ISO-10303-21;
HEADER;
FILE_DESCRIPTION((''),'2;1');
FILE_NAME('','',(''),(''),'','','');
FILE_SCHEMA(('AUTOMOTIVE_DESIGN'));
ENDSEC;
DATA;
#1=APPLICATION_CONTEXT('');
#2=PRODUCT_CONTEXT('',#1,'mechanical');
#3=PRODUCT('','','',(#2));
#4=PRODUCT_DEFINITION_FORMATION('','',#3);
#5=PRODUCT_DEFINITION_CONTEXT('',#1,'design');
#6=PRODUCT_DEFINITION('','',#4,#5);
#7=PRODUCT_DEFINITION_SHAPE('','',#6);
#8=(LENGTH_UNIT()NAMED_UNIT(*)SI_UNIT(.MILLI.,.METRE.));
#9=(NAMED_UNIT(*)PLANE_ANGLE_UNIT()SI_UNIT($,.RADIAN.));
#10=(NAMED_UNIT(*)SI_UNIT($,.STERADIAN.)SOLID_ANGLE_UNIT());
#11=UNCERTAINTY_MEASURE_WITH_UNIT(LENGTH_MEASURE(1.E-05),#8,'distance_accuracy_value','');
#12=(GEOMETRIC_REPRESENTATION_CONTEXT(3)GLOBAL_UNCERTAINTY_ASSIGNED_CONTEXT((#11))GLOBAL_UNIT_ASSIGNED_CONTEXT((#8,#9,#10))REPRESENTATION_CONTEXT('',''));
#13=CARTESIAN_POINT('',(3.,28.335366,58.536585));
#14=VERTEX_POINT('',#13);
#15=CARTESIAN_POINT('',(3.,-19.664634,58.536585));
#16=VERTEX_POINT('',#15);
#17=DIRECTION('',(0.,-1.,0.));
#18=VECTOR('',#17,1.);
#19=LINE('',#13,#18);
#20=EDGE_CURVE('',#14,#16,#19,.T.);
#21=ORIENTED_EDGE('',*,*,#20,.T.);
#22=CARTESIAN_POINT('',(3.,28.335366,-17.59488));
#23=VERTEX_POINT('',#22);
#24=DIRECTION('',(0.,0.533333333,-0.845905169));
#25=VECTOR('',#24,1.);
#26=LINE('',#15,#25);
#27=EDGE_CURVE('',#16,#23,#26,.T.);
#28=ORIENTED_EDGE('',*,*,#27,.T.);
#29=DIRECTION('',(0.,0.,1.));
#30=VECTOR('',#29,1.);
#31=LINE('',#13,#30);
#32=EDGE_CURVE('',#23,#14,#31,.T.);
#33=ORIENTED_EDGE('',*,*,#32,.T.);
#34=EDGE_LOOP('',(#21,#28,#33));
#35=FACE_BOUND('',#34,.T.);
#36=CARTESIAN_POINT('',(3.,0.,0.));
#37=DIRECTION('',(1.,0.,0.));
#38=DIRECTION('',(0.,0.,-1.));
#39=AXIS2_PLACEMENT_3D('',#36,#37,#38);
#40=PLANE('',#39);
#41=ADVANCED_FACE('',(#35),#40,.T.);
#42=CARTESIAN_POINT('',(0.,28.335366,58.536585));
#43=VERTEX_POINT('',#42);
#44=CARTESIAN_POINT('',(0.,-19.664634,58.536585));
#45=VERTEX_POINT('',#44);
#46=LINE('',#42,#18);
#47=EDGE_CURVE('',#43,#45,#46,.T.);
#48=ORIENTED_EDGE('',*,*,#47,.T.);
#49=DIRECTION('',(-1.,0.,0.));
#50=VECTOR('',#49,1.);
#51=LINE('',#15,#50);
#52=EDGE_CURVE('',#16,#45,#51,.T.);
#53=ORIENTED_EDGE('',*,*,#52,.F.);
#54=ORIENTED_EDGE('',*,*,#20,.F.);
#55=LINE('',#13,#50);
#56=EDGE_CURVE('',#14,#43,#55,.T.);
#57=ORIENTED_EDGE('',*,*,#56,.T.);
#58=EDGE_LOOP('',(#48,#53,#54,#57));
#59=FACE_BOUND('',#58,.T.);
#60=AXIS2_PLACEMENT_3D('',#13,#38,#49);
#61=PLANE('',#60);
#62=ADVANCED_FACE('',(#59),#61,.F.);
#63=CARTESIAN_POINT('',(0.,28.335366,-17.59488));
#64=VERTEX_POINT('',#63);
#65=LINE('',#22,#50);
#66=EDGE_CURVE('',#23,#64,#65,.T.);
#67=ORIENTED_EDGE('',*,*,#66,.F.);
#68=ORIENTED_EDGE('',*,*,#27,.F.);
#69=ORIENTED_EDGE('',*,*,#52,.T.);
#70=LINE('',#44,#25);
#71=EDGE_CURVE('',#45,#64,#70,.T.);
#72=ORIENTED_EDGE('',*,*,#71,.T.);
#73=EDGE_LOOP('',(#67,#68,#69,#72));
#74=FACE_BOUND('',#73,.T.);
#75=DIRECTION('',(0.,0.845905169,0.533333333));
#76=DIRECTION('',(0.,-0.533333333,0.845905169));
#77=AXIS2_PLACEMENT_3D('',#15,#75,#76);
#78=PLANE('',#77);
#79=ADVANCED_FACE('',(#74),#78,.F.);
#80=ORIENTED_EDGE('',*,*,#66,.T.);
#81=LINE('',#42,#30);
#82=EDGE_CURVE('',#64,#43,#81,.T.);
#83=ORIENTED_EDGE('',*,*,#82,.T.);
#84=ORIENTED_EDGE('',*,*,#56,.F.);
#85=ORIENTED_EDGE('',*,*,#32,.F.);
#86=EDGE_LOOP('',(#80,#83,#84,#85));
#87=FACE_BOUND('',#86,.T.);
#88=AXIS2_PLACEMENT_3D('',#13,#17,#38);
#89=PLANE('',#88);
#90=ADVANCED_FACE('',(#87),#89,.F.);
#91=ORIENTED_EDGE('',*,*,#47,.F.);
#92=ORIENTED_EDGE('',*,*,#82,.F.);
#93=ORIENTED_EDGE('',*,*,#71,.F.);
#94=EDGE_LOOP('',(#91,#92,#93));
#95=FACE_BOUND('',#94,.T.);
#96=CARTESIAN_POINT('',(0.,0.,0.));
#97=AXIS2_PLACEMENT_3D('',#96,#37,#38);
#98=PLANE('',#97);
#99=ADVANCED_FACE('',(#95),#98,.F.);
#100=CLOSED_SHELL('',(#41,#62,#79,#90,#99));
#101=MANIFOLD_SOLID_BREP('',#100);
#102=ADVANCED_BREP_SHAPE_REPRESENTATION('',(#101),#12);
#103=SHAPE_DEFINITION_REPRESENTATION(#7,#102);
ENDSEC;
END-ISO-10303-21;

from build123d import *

# Parameters (mm, degrees)
BOSS_EXTRUDE1_DEPTH = 3


with BuildPart() as part:
    # Sketch1 → Boss-Extrude1 (new body)
    with BuildSketch(Plane(origin=(0, 0, 0), x_dir=(0, 0, -1), z_dir=(1, 0, 0))):
        Polygon((-58.536585366, -19.664634146), (17.594879877, 28.335365854), (-58.536585366, 28.335365854), align=None)
    extrude(amount=BOSS_EXTRUDE1_DEPTH)


solid = part.part
